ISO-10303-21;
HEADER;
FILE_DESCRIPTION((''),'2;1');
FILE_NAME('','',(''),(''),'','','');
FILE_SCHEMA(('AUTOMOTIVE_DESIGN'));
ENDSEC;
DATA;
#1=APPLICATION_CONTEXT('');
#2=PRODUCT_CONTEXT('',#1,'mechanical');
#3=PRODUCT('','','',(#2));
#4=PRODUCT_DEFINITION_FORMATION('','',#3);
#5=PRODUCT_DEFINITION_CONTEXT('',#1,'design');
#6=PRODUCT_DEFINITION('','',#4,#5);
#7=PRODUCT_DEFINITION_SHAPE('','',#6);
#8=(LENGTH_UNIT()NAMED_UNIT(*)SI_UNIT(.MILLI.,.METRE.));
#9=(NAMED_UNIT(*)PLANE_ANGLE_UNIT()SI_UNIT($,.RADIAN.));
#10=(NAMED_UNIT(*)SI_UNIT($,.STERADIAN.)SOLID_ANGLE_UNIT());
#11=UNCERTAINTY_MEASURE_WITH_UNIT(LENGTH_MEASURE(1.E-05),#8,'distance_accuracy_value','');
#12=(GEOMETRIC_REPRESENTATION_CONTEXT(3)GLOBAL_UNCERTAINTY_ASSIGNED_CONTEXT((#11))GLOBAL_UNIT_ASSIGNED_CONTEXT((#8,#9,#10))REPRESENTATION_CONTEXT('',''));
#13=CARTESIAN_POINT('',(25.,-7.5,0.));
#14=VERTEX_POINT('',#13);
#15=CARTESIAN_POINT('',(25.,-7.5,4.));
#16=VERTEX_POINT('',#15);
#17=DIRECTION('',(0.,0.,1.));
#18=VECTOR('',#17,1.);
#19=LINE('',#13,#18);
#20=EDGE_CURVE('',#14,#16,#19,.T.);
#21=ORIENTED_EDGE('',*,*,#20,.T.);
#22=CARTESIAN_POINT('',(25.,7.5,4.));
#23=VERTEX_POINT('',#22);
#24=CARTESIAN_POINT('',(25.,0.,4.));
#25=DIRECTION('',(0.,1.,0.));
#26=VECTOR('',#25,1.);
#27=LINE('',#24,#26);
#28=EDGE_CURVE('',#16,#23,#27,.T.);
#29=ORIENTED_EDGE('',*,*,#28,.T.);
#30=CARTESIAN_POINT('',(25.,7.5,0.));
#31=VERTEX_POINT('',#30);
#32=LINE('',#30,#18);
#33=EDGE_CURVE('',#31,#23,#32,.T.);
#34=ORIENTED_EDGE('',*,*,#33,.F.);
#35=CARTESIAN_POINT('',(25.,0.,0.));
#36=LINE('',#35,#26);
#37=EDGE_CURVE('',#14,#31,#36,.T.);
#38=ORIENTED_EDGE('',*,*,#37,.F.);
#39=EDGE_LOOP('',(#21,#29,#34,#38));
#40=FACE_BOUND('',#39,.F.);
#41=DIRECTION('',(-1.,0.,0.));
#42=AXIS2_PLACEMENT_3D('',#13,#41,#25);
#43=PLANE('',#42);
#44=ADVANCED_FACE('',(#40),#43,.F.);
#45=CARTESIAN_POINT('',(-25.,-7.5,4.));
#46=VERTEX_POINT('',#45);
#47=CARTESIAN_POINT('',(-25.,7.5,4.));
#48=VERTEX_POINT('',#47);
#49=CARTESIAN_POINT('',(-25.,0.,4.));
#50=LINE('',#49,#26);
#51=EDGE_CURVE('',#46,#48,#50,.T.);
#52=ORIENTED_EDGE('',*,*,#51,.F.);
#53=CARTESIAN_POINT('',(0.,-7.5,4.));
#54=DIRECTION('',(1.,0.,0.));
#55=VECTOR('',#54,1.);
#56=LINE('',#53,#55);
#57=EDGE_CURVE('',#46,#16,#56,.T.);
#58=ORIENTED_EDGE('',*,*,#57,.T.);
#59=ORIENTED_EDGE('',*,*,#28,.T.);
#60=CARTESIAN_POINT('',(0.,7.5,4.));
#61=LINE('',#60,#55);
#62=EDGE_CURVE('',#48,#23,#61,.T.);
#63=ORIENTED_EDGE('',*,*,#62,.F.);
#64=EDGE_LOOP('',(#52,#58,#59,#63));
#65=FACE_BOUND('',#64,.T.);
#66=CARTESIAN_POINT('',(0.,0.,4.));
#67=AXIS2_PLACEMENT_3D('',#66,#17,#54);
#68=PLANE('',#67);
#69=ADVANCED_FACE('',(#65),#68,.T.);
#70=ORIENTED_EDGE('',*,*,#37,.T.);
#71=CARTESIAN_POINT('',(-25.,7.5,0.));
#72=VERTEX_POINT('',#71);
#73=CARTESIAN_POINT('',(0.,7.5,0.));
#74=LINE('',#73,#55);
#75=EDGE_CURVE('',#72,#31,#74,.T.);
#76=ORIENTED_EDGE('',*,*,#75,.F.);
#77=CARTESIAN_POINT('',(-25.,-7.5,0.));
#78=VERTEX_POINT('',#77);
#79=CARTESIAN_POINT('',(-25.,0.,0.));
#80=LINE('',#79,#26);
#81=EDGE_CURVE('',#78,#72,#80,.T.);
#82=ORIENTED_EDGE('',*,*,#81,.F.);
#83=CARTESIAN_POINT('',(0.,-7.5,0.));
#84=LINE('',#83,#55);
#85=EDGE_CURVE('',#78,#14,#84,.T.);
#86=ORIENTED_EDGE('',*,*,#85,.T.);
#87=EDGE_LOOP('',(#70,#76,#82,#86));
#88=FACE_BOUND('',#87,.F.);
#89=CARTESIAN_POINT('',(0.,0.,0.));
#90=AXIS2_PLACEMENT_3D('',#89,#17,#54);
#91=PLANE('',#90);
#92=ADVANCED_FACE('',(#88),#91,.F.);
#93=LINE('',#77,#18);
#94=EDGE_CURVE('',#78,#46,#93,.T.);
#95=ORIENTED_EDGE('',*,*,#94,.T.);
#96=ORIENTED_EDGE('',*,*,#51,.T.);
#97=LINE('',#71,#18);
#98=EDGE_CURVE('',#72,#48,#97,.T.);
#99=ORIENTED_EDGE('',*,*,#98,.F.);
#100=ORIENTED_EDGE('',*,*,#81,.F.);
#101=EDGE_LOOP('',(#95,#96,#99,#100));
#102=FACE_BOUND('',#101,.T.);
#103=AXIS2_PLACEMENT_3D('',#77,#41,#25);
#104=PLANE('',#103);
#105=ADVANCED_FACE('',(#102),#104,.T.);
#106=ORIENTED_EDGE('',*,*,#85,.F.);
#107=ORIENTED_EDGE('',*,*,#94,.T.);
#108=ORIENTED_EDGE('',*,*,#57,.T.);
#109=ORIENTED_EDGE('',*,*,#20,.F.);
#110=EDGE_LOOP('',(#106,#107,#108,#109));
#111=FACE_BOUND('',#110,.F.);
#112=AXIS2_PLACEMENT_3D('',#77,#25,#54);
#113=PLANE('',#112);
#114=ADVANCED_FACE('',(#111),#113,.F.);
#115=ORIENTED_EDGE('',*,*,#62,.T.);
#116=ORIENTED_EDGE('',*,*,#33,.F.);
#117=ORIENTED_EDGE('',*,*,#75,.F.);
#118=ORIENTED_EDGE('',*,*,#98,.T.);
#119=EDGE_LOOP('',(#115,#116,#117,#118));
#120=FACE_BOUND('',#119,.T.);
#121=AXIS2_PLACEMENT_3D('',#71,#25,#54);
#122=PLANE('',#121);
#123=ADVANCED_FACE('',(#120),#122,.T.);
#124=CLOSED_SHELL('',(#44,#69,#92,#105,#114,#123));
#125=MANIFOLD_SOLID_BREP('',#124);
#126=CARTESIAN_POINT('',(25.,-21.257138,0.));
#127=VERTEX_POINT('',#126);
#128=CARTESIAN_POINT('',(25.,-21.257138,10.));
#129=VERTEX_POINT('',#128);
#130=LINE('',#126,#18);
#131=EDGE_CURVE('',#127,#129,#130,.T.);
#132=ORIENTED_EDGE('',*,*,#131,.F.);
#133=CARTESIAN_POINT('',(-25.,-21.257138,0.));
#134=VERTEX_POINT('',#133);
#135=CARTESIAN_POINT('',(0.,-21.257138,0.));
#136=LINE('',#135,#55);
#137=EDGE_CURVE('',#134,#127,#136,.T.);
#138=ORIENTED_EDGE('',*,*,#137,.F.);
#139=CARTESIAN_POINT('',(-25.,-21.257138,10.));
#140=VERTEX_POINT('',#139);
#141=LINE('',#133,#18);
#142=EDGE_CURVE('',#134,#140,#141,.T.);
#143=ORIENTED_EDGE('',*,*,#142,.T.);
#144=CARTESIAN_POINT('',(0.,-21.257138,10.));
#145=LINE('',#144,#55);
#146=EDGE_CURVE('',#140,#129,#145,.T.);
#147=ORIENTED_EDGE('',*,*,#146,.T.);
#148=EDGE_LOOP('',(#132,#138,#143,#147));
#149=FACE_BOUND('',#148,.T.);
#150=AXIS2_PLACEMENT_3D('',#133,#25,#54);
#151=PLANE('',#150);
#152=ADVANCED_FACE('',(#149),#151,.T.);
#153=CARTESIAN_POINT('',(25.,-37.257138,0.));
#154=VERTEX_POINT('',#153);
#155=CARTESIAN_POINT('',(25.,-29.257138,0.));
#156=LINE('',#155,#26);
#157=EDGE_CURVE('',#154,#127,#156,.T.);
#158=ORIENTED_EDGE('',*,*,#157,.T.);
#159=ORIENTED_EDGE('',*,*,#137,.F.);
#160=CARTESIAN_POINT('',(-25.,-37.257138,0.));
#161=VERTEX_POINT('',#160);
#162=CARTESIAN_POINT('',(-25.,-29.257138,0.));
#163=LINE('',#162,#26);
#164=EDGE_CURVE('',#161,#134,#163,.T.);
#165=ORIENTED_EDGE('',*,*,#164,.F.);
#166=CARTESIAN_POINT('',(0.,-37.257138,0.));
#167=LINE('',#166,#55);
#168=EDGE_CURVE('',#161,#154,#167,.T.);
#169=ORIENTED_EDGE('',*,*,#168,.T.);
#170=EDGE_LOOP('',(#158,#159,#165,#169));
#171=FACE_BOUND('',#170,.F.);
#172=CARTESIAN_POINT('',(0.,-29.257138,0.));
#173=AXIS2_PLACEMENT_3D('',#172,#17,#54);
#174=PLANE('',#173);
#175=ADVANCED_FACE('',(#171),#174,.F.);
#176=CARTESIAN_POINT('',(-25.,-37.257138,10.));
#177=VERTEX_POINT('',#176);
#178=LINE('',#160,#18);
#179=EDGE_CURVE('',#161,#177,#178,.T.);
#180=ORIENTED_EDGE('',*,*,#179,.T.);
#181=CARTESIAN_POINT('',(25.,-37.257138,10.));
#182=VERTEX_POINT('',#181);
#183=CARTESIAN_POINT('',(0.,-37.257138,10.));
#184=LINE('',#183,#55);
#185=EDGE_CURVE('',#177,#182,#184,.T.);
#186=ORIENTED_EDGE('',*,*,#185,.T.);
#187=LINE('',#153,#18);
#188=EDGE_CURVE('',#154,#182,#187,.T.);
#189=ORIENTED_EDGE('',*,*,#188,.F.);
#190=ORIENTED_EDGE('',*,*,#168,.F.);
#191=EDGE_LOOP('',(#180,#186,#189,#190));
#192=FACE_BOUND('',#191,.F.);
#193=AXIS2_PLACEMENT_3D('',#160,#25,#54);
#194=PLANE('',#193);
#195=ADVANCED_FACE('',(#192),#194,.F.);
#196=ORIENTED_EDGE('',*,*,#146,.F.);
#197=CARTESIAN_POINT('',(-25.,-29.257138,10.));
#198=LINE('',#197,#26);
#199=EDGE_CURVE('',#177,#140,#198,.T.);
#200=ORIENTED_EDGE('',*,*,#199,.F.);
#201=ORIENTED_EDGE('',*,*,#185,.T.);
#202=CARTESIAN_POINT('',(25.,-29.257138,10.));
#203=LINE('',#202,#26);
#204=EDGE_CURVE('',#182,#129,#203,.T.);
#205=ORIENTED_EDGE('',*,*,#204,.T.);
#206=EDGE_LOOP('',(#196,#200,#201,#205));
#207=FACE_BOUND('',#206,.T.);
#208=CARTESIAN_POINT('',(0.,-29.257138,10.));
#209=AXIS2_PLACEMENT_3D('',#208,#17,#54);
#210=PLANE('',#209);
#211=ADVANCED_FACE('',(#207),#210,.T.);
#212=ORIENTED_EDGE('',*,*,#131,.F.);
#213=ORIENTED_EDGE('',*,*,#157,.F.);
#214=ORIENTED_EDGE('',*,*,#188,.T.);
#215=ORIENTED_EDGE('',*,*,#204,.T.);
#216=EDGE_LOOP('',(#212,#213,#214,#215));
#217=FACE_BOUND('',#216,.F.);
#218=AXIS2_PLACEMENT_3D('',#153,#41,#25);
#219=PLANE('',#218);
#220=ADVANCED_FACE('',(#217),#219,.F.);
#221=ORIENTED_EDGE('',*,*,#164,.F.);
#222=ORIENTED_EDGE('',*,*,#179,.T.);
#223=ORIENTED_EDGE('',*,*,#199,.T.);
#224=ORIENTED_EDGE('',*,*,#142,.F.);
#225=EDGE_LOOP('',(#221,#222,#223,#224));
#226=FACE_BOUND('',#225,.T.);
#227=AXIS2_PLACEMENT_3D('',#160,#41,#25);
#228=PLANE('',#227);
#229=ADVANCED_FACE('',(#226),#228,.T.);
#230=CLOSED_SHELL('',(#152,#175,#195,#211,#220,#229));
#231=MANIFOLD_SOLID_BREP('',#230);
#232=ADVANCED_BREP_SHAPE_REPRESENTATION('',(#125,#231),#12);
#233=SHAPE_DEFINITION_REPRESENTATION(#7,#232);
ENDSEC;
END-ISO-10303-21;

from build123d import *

# Parameters (mm, degrees)
F0_W     = 50
F0_H     = 15
F1_DEPTH = 4
F2_W     = 50
F2_H     = 16
F3_DEPTH = 10


with BuildPart() as f1:
    # F0 (on Top) → F1 (new body)
    with BuildSketch(Plane.XY):
        Rectangle(F0_W, F0_H)
    extrude(amount=F1_DEPTH)


with BuildPart() as f3:
    # F2 (on Top) → F3 (new body)
    with BuildSketch(Plane.XY):
        with Locations((0, -29.257138)):
            Rectangle(F2_W, F2_H)
    extrude(amount=F3_DEPTH)


solid = Compound([f1.part, f3.part])
